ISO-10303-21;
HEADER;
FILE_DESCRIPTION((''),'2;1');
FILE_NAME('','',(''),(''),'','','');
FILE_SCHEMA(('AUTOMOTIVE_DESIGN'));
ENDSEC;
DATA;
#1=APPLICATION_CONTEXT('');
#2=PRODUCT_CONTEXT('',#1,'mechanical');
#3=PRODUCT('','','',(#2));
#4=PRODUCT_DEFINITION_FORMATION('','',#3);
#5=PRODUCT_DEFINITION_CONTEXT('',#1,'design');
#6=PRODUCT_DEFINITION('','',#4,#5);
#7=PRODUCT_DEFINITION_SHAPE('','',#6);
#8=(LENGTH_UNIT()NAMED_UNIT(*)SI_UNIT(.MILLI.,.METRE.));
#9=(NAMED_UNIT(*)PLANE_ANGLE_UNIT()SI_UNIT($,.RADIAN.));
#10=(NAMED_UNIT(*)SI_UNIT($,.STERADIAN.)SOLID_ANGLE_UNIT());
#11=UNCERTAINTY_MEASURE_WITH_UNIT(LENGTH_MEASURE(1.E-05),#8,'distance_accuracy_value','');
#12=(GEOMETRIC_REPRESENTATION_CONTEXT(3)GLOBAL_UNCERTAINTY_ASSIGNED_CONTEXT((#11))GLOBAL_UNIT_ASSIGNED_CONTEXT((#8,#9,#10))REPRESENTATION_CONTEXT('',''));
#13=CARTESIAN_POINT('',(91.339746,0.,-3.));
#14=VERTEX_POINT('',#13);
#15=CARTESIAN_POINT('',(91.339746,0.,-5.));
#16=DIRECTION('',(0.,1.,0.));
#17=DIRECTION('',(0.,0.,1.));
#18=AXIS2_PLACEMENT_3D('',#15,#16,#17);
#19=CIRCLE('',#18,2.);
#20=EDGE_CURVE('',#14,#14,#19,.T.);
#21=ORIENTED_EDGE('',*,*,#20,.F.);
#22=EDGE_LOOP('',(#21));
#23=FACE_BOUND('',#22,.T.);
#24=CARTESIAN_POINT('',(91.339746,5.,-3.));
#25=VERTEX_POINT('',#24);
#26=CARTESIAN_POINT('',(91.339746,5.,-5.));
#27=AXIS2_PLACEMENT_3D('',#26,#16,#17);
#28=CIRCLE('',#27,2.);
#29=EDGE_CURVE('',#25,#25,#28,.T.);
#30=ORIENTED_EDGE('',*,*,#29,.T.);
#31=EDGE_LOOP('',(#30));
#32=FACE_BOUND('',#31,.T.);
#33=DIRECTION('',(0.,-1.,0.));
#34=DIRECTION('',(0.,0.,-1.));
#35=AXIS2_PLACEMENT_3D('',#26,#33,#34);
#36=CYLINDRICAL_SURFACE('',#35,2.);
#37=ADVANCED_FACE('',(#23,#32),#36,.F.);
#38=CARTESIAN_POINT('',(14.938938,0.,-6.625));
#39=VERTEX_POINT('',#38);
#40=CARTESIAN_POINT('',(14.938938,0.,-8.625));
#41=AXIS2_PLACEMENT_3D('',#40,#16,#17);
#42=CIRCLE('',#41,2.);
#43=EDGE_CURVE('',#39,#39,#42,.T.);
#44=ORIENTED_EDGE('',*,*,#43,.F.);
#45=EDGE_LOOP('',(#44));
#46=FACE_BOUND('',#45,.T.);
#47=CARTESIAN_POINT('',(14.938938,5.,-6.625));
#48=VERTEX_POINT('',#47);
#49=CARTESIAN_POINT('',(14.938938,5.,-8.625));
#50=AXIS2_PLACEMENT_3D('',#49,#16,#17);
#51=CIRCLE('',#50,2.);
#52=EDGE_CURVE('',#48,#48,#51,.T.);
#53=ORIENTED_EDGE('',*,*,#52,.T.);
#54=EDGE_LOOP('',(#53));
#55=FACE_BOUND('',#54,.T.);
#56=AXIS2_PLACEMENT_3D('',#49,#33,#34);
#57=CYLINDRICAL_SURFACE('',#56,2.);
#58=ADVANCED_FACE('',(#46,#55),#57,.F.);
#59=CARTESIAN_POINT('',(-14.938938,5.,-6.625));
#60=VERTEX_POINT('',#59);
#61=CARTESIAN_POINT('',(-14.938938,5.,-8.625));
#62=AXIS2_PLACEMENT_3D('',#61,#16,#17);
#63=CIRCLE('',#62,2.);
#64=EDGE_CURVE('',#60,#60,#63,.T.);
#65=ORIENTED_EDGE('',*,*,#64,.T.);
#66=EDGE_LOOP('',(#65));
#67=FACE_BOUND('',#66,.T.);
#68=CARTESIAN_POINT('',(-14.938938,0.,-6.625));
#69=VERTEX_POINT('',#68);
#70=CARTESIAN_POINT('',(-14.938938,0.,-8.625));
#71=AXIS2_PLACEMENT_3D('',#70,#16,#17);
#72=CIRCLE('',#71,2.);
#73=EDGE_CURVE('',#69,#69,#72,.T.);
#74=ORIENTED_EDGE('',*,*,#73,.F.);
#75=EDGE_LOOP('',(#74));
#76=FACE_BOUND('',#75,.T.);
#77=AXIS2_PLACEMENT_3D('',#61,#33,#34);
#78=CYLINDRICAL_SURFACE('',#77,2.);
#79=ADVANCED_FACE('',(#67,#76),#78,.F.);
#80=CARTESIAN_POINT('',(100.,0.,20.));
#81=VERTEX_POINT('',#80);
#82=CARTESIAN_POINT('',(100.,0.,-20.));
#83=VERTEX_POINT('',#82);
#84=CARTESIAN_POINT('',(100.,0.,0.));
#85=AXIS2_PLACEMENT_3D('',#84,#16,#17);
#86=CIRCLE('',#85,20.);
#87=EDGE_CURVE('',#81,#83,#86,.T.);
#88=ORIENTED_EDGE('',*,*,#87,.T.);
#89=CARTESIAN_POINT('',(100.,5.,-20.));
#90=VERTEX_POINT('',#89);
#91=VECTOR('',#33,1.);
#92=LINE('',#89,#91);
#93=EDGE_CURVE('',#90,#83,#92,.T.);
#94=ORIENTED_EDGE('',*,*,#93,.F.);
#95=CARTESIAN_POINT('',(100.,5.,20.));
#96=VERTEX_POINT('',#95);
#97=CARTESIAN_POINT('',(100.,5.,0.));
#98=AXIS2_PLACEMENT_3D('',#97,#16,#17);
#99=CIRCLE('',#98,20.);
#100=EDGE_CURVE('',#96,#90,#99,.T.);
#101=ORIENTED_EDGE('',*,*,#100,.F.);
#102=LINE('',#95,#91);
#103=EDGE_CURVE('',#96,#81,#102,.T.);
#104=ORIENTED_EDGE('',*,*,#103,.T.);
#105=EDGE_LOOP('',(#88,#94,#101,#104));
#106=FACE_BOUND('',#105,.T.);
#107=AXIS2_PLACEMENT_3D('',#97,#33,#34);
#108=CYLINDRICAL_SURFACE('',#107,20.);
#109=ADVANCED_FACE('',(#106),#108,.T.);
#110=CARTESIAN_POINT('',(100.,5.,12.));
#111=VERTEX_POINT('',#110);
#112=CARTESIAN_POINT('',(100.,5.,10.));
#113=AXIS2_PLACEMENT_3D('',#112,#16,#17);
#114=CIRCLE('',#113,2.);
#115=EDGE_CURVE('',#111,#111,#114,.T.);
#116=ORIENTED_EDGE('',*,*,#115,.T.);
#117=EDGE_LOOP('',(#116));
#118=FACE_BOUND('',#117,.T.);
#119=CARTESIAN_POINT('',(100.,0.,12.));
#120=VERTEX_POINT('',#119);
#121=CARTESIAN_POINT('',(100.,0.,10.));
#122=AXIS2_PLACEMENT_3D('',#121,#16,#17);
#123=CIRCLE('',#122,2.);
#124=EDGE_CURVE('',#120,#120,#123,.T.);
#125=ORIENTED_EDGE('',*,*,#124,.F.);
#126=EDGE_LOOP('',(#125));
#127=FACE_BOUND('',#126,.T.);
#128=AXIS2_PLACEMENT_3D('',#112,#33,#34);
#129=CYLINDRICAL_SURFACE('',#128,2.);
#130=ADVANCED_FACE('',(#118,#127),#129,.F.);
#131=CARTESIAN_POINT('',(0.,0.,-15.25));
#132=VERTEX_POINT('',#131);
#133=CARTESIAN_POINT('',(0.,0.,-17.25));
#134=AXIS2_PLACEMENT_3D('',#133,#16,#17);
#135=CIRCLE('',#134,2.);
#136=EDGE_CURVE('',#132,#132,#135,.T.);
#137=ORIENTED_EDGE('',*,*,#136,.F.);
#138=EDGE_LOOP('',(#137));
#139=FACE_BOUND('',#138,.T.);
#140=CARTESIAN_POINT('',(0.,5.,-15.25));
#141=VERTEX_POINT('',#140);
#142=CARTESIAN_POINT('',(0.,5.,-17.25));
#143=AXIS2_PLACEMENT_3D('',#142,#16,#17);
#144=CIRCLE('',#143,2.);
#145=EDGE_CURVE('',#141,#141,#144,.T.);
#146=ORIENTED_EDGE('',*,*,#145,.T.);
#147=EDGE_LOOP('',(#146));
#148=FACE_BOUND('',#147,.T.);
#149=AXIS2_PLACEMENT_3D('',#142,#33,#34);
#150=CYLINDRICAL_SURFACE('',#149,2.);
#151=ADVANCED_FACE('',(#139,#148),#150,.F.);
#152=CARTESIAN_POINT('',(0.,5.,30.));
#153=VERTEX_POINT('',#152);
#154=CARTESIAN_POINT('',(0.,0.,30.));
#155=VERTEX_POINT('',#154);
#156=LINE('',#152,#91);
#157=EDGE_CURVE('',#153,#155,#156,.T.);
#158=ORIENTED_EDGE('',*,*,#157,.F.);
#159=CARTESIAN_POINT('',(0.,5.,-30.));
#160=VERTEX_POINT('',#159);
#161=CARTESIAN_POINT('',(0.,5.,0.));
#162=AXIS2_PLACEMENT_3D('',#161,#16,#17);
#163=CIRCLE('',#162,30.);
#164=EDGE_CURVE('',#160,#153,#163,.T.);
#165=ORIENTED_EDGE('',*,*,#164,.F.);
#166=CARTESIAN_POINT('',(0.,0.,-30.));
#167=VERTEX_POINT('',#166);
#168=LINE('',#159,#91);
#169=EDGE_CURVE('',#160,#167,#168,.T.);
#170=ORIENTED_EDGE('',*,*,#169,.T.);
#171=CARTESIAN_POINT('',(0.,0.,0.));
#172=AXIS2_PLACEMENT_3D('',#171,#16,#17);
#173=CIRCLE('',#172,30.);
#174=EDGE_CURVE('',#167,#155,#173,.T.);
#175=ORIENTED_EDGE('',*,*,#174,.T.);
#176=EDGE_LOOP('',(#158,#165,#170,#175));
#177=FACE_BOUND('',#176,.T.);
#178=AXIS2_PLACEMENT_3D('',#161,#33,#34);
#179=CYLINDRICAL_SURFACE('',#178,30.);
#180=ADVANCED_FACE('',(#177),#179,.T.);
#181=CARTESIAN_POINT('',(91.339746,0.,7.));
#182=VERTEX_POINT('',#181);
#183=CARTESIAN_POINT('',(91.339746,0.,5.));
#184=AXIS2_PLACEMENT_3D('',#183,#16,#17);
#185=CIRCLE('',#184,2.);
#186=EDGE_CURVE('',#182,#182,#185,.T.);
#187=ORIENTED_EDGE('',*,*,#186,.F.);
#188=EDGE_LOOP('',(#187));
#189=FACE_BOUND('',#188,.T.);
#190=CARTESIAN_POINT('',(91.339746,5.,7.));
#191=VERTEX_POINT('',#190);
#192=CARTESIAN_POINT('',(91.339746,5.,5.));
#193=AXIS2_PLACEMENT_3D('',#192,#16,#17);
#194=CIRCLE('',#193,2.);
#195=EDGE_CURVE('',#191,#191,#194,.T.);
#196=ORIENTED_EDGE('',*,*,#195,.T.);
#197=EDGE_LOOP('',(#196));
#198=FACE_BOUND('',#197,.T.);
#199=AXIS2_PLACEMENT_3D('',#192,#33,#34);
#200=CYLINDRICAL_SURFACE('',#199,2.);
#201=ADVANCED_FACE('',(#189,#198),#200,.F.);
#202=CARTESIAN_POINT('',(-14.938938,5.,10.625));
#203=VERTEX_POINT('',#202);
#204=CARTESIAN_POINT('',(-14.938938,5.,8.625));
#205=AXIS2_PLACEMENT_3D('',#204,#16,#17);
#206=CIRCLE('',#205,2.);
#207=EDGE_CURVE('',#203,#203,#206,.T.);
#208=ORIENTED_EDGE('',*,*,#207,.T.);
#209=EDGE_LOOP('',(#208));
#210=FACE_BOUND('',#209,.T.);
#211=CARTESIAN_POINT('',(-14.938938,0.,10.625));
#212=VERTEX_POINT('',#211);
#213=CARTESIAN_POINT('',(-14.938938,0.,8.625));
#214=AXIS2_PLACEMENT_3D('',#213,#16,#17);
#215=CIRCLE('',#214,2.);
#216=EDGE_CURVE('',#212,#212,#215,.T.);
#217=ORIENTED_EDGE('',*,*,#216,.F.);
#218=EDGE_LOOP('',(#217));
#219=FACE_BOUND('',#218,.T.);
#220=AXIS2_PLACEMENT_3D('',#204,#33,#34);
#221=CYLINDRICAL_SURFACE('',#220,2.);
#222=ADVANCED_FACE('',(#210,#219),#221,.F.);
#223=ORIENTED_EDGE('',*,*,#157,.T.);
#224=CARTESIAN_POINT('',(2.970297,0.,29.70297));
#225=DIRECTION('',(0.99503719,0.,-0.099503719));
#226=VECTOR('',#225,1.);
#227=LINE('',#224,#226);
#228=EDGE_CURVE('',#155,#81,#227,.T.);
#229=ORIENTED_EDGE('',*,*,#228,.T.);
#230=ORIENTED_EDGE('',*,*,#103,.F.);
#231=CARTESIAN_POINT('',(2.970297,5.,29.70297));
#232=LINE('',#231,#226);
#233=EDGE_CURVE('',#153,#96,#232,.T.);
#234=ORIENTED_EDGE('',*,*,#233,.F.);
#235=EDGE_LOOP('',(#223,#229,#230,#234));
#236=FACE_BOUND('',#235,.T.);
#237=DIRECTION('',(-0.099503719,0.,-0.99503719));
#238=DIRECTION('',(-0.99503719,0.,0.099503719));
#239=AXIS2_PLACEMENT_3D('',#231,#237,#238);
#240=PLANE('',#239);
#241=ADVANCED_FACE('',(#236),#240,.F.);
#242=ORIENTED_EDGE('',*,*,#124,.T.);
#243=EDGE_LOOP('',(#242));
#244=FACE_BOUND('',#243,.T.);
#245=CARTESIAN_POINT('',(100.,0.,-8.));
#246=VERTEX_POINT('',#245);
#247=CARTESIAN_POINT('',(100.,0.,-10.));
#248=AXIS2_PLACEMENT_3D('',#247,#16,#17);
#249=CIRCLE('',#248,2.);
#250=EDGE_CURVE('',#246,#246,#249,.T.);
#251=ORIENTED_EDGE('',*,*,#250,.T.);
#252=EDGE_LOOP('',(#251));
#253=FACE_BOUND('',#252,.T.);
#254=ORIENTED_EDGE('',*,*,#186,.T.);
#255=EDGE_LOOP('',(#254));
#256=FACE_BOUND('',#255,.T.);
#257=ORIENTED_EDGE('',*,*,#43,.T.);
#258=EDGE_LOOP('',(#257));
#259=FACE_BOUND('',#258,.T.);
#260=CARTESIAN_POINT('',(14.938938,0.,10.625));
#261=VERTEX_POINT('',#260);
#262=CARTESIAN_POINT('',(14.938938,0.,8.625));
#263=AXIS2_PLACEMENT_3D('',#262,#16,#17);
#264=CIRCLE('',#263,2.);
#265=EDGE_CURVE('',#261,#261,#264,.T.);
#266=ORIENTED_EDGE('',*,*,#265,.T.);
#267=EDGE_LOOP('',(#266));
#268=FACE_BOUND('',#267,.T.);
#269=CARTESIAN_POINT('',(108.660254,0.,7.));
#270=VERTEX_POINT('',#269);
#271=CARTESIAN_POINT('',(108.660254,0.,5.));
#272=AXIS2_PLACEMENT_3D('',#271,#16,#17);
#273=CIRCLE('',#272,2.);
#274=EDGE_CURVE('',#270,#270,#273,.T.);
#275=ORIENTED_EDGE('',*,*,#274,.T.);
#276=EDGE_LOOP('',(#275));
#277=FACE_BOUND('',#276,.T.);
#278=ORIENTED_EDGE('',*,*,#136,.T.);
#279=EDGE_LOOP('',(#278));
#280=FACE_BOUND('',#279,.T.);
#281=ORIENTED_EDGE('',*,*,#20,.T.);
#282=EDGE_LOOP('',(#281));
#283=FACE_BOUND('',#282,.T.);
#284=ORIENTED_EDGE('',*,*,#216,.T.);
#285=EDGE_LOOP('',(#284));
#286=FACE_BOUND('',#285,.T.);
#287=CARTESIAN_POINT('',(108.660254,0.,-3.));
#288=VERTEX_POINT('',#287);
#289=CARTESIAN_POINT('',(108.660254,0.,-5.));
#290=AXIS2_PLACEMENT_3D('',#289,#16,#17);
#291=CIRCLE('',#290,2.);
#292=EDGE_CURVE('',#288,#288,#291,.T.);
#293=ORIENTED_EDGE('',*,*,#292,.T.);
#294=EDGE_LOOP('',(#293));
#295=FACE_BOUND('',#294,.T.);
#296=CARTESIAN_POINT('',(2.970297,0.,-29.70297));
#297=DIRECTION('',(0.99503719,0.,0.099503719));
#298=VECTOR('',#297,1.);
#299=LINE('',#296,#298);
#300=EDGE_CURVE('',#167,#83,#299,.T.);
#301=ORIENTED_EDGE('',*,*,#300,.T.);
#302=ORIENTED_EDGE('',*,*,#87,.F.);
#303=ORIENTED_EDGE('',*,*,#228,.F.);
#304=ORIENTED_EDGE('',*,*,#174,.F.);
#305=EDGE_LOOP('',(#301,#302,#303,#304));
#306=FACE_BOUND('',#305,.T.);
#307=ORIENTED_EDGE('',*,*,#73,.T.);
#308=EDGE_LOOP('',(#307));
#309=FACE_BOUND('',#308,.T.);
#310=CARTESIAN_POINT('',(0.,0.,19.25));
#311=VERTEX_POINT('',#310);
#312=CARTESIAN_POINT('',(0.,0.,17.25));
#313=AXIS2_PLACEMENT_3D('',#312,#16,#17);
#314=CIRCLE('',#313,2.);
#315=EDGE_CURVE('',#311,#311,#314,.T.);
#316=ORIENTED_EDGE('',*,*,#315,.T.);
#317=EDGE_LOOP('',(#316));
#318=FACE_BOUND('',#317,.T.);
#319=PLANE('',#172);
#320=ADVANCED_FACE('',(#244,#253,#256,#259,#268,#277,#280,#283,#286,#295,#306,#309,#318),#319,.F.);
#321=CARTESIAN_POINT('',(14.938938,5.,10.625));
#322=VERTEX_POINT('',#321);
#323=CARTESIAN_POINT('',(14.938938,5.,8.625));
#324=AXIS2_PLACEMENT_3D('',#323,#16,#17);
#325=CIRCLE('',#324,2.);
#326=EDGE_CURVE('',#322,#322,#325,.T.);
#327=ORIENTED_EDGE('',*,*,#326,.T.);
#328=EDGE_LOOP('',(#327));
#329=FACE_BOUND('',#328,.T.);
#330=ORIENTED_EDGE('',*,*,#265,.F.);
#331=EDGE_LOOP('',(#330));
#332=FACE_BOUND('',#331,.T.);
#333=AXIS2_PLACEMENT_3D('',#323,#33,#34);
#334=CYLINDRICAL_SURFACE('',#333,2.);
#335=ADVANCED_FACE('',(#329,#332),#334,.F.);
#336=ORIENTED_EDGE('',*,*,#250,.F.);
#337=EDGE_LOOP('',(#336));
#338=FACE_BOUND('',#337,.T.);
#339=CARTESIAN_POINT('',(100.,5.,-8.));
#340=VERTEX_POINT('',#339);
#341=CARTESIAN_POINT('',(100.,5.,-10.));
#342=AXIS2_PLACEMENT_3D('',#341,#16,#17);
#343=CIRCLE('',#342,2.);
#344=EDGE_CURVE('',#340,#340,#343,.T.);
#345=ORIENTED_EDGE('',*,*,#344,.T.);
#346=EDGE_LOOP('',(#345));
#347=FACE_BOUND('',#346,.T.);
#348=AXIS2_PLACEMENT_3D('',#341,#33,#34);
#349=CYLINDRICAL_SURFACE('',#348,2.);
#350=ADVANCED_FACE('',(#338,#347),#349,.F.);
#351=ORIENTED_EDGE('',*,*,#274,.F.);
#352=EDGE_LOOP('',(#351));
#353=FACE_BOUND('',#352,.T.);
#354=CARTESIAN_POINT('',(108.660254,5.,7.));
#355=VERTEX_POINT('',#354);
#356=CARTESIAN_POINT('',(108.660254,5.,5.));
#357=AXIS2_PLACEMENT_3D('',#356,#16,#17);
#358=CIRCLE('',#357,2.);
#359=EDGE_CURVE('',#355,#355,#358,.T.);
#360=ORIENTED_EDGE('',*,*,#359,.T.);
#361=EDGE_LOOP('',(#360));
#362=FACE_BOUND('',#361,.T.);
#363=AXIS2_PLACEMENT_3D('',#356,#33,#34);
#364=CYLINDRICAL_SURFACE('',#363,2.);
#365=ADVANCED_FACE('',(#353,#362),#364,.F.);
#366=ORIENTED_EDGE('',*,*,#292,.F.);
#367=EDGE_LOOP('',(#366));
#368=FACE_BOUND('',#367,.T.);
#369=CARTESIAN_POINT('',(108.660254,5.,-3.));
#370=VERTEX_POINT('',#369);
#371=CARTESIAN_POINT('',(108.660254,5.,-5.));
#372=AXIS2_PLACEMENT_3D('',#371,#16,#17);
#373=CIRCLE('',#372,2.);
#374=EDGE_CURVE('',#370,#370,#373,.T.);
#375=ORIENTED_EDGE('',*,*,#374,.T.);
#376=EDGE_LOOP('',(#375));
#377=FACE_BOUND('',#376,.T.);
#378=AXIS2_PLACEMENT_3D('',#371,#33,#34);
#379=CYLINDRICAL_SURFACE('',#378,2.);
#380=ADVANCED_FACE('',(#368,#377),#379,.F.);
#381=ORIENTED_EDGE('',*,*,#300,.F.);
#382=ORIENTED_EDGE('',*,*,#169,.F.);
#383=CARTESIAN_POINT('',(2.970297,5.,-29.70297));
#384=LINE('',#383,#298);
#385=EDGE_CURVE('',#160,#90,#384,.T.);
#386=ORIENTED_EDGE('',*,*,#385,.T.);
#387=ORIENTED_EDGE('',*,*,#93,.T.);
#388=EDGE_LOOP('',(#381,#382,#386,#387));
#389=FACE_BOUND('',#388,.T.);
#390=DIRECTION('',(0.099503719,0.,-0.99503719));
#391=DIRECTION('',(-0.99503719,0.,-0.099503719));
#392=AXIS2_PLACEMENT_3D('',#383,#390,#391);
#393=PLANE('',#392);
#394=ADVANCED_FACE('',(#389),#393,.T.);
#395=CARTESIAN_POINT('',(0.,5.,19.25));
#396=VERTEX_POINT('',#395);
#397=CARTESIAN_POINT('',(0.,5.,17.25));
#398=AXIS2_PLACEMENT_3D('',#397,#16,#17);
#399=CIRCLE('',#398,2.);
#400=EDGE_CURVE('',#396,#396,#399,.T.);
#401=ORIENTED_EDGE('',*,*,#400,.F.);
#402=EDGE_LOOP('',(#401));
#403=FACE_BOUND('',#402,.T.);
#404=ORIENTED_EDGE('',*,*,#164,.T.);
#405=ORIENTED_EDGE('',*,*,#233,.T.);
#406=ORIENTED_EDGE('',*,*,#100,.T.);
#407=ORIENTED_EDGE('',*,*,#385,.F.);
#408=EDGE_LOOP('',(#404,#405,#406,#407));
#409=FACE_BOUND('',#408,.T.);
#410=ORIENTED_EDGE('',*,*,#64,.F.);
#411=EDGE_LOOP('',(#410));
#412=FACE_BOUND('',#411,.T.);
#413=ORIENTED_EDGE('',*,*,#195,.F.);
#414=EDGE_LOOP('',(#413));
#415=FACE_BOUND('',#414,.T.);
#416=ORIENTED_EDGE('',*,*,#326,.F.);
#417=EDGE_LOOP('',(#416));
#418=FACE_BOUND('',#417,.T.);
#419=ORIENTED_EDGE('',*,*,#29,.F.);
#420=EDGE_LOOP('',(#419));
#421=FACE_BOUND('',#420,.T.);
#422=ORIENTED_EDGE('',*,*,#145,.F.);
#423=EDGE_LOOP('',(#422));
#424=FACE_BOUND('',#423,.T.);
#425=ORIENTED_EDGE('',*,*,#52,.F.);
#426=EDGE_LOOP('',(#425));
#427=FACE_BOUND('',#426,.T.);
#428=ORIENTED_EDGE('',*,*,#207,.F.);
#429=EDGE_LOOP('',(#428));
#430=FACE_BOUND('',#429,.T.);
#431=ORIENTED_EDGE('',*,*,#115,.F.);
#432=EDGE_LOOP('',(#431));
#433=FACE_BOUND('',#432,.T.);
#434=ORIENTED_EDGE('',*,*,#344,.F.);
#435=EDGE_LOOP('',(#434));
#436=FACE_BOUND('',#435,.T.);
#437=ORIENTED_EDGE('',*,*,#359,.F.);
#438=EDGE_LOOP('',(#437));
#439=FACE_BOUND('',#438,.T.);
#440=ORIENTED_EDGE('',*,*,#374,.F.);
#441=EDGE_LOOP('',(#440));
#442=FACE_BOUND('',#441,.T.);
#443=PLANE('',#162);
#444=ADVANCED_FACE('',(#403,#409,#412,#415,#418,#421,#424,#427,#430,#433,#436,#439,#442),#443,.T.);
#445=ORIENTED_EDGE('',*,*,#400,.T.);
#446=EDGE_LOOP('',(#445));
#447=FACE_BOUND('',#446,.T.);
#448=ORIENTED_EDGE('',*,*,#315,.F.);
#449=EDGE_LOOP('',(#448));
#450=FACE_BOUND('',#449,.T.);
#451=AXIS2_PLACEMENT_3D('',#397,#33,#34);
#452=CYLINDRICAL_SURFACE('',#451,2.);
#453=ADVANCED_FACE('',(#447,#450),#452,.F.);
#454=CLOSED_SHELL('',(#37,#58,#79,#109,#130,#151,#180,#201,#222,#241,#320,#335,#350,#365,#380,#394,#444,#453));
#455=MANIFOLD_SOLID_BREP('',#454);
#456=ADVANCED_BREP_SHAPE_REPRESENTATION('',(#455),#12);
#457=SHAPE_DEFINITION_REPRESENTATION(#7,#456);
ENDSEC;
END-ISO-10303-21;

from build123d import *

# Parameters (mm, degrees)
SKETCH_1_R      = 2
EXTRUDE_1_DEPTH = 5


with BuildPart() as part:
    # 草图1 → 凸台-拉伸1 (new body)
    with BuildSketch(Plane(origin=(0, 0, 0), x_dir=(1, 0, 0), z_dir=(0, 1, 0))):
        with BuildLine():
            Line((0, -30), (100, -20))
            ThreePointArc((100, -20), (120, 0), (100, 20))
            Line((100, 20), (0, 30))
            ThreePointArc((0, 30), (-30, 0), (0, -30))
        make_face()
        with Locations(Location((0, -17.25, 0), (0, 0, 270))):
            Circle(SKETCH_1_R, mode=Mode.SUBTRACT)
        with Locations(Location((-14.938938215, -8.625, 0), (0, 0, 270))):
            Circle(SKETCH_1_R, mode=Mode.SUBTRACT)
        with Locations(Location((14.938938215, -8.625, 0), (0, 0, 270))):
            Circle(SKETCH_1_R, mode=Mode.SUBTRACT)
        with Locations(Location((-14.938938215, 8.625, 0), (0, 0, 270))):
            Circle(SKETCH_1_R, mode=Mode.SUBTRACT)
        with Locations(Location((14.938938215, 8.625, 0), (0, 0, 270))):
            Circle(SKETCH_1_R, mode=Mode.SUBTRACT)
        with Locations(Location((0, 17.25, 0), (0, 0, 270))):
            Circle(SKETCH_1_R, mode=Mode.SUBTRACT)
        with Locations(Location((91.339745962, -5, 0), (0, 0, 270))):
            Circle(SKETCH_1_R, mode=Mode.SUBTRACT)
        with Locations(Location((100, -10, 0), (0, 0, 270))):
            Circle(SKETCH_1_R, mode=Mode.SUBTRACT)
        with Locations(Location((108.660254038, -5, 0), (0, 0, 270))):
            Circle(SKETCH_1_R, mode=Mode.SUBTRACT)
        with Locations(Location((108.660254038, 5, 0), (0, 0, 270))):
            Circle(SKETCH_1_R, mode=Mode.SUBTRACT)
        with Locations(Location((100, 10, 0), (0, 0, 270))):
            Circle(SKETCH_1_R, mode=Mode.SUBTRACT)
        with Locations(Location((91.339745962, 5, 0), (0, 0, 270))):
            Circle(SKETCH_1_R, mode=Mode.SUBTRACT)
    extrude(amount=EXTRUDE_1_DEPTH)


solid = part.part
